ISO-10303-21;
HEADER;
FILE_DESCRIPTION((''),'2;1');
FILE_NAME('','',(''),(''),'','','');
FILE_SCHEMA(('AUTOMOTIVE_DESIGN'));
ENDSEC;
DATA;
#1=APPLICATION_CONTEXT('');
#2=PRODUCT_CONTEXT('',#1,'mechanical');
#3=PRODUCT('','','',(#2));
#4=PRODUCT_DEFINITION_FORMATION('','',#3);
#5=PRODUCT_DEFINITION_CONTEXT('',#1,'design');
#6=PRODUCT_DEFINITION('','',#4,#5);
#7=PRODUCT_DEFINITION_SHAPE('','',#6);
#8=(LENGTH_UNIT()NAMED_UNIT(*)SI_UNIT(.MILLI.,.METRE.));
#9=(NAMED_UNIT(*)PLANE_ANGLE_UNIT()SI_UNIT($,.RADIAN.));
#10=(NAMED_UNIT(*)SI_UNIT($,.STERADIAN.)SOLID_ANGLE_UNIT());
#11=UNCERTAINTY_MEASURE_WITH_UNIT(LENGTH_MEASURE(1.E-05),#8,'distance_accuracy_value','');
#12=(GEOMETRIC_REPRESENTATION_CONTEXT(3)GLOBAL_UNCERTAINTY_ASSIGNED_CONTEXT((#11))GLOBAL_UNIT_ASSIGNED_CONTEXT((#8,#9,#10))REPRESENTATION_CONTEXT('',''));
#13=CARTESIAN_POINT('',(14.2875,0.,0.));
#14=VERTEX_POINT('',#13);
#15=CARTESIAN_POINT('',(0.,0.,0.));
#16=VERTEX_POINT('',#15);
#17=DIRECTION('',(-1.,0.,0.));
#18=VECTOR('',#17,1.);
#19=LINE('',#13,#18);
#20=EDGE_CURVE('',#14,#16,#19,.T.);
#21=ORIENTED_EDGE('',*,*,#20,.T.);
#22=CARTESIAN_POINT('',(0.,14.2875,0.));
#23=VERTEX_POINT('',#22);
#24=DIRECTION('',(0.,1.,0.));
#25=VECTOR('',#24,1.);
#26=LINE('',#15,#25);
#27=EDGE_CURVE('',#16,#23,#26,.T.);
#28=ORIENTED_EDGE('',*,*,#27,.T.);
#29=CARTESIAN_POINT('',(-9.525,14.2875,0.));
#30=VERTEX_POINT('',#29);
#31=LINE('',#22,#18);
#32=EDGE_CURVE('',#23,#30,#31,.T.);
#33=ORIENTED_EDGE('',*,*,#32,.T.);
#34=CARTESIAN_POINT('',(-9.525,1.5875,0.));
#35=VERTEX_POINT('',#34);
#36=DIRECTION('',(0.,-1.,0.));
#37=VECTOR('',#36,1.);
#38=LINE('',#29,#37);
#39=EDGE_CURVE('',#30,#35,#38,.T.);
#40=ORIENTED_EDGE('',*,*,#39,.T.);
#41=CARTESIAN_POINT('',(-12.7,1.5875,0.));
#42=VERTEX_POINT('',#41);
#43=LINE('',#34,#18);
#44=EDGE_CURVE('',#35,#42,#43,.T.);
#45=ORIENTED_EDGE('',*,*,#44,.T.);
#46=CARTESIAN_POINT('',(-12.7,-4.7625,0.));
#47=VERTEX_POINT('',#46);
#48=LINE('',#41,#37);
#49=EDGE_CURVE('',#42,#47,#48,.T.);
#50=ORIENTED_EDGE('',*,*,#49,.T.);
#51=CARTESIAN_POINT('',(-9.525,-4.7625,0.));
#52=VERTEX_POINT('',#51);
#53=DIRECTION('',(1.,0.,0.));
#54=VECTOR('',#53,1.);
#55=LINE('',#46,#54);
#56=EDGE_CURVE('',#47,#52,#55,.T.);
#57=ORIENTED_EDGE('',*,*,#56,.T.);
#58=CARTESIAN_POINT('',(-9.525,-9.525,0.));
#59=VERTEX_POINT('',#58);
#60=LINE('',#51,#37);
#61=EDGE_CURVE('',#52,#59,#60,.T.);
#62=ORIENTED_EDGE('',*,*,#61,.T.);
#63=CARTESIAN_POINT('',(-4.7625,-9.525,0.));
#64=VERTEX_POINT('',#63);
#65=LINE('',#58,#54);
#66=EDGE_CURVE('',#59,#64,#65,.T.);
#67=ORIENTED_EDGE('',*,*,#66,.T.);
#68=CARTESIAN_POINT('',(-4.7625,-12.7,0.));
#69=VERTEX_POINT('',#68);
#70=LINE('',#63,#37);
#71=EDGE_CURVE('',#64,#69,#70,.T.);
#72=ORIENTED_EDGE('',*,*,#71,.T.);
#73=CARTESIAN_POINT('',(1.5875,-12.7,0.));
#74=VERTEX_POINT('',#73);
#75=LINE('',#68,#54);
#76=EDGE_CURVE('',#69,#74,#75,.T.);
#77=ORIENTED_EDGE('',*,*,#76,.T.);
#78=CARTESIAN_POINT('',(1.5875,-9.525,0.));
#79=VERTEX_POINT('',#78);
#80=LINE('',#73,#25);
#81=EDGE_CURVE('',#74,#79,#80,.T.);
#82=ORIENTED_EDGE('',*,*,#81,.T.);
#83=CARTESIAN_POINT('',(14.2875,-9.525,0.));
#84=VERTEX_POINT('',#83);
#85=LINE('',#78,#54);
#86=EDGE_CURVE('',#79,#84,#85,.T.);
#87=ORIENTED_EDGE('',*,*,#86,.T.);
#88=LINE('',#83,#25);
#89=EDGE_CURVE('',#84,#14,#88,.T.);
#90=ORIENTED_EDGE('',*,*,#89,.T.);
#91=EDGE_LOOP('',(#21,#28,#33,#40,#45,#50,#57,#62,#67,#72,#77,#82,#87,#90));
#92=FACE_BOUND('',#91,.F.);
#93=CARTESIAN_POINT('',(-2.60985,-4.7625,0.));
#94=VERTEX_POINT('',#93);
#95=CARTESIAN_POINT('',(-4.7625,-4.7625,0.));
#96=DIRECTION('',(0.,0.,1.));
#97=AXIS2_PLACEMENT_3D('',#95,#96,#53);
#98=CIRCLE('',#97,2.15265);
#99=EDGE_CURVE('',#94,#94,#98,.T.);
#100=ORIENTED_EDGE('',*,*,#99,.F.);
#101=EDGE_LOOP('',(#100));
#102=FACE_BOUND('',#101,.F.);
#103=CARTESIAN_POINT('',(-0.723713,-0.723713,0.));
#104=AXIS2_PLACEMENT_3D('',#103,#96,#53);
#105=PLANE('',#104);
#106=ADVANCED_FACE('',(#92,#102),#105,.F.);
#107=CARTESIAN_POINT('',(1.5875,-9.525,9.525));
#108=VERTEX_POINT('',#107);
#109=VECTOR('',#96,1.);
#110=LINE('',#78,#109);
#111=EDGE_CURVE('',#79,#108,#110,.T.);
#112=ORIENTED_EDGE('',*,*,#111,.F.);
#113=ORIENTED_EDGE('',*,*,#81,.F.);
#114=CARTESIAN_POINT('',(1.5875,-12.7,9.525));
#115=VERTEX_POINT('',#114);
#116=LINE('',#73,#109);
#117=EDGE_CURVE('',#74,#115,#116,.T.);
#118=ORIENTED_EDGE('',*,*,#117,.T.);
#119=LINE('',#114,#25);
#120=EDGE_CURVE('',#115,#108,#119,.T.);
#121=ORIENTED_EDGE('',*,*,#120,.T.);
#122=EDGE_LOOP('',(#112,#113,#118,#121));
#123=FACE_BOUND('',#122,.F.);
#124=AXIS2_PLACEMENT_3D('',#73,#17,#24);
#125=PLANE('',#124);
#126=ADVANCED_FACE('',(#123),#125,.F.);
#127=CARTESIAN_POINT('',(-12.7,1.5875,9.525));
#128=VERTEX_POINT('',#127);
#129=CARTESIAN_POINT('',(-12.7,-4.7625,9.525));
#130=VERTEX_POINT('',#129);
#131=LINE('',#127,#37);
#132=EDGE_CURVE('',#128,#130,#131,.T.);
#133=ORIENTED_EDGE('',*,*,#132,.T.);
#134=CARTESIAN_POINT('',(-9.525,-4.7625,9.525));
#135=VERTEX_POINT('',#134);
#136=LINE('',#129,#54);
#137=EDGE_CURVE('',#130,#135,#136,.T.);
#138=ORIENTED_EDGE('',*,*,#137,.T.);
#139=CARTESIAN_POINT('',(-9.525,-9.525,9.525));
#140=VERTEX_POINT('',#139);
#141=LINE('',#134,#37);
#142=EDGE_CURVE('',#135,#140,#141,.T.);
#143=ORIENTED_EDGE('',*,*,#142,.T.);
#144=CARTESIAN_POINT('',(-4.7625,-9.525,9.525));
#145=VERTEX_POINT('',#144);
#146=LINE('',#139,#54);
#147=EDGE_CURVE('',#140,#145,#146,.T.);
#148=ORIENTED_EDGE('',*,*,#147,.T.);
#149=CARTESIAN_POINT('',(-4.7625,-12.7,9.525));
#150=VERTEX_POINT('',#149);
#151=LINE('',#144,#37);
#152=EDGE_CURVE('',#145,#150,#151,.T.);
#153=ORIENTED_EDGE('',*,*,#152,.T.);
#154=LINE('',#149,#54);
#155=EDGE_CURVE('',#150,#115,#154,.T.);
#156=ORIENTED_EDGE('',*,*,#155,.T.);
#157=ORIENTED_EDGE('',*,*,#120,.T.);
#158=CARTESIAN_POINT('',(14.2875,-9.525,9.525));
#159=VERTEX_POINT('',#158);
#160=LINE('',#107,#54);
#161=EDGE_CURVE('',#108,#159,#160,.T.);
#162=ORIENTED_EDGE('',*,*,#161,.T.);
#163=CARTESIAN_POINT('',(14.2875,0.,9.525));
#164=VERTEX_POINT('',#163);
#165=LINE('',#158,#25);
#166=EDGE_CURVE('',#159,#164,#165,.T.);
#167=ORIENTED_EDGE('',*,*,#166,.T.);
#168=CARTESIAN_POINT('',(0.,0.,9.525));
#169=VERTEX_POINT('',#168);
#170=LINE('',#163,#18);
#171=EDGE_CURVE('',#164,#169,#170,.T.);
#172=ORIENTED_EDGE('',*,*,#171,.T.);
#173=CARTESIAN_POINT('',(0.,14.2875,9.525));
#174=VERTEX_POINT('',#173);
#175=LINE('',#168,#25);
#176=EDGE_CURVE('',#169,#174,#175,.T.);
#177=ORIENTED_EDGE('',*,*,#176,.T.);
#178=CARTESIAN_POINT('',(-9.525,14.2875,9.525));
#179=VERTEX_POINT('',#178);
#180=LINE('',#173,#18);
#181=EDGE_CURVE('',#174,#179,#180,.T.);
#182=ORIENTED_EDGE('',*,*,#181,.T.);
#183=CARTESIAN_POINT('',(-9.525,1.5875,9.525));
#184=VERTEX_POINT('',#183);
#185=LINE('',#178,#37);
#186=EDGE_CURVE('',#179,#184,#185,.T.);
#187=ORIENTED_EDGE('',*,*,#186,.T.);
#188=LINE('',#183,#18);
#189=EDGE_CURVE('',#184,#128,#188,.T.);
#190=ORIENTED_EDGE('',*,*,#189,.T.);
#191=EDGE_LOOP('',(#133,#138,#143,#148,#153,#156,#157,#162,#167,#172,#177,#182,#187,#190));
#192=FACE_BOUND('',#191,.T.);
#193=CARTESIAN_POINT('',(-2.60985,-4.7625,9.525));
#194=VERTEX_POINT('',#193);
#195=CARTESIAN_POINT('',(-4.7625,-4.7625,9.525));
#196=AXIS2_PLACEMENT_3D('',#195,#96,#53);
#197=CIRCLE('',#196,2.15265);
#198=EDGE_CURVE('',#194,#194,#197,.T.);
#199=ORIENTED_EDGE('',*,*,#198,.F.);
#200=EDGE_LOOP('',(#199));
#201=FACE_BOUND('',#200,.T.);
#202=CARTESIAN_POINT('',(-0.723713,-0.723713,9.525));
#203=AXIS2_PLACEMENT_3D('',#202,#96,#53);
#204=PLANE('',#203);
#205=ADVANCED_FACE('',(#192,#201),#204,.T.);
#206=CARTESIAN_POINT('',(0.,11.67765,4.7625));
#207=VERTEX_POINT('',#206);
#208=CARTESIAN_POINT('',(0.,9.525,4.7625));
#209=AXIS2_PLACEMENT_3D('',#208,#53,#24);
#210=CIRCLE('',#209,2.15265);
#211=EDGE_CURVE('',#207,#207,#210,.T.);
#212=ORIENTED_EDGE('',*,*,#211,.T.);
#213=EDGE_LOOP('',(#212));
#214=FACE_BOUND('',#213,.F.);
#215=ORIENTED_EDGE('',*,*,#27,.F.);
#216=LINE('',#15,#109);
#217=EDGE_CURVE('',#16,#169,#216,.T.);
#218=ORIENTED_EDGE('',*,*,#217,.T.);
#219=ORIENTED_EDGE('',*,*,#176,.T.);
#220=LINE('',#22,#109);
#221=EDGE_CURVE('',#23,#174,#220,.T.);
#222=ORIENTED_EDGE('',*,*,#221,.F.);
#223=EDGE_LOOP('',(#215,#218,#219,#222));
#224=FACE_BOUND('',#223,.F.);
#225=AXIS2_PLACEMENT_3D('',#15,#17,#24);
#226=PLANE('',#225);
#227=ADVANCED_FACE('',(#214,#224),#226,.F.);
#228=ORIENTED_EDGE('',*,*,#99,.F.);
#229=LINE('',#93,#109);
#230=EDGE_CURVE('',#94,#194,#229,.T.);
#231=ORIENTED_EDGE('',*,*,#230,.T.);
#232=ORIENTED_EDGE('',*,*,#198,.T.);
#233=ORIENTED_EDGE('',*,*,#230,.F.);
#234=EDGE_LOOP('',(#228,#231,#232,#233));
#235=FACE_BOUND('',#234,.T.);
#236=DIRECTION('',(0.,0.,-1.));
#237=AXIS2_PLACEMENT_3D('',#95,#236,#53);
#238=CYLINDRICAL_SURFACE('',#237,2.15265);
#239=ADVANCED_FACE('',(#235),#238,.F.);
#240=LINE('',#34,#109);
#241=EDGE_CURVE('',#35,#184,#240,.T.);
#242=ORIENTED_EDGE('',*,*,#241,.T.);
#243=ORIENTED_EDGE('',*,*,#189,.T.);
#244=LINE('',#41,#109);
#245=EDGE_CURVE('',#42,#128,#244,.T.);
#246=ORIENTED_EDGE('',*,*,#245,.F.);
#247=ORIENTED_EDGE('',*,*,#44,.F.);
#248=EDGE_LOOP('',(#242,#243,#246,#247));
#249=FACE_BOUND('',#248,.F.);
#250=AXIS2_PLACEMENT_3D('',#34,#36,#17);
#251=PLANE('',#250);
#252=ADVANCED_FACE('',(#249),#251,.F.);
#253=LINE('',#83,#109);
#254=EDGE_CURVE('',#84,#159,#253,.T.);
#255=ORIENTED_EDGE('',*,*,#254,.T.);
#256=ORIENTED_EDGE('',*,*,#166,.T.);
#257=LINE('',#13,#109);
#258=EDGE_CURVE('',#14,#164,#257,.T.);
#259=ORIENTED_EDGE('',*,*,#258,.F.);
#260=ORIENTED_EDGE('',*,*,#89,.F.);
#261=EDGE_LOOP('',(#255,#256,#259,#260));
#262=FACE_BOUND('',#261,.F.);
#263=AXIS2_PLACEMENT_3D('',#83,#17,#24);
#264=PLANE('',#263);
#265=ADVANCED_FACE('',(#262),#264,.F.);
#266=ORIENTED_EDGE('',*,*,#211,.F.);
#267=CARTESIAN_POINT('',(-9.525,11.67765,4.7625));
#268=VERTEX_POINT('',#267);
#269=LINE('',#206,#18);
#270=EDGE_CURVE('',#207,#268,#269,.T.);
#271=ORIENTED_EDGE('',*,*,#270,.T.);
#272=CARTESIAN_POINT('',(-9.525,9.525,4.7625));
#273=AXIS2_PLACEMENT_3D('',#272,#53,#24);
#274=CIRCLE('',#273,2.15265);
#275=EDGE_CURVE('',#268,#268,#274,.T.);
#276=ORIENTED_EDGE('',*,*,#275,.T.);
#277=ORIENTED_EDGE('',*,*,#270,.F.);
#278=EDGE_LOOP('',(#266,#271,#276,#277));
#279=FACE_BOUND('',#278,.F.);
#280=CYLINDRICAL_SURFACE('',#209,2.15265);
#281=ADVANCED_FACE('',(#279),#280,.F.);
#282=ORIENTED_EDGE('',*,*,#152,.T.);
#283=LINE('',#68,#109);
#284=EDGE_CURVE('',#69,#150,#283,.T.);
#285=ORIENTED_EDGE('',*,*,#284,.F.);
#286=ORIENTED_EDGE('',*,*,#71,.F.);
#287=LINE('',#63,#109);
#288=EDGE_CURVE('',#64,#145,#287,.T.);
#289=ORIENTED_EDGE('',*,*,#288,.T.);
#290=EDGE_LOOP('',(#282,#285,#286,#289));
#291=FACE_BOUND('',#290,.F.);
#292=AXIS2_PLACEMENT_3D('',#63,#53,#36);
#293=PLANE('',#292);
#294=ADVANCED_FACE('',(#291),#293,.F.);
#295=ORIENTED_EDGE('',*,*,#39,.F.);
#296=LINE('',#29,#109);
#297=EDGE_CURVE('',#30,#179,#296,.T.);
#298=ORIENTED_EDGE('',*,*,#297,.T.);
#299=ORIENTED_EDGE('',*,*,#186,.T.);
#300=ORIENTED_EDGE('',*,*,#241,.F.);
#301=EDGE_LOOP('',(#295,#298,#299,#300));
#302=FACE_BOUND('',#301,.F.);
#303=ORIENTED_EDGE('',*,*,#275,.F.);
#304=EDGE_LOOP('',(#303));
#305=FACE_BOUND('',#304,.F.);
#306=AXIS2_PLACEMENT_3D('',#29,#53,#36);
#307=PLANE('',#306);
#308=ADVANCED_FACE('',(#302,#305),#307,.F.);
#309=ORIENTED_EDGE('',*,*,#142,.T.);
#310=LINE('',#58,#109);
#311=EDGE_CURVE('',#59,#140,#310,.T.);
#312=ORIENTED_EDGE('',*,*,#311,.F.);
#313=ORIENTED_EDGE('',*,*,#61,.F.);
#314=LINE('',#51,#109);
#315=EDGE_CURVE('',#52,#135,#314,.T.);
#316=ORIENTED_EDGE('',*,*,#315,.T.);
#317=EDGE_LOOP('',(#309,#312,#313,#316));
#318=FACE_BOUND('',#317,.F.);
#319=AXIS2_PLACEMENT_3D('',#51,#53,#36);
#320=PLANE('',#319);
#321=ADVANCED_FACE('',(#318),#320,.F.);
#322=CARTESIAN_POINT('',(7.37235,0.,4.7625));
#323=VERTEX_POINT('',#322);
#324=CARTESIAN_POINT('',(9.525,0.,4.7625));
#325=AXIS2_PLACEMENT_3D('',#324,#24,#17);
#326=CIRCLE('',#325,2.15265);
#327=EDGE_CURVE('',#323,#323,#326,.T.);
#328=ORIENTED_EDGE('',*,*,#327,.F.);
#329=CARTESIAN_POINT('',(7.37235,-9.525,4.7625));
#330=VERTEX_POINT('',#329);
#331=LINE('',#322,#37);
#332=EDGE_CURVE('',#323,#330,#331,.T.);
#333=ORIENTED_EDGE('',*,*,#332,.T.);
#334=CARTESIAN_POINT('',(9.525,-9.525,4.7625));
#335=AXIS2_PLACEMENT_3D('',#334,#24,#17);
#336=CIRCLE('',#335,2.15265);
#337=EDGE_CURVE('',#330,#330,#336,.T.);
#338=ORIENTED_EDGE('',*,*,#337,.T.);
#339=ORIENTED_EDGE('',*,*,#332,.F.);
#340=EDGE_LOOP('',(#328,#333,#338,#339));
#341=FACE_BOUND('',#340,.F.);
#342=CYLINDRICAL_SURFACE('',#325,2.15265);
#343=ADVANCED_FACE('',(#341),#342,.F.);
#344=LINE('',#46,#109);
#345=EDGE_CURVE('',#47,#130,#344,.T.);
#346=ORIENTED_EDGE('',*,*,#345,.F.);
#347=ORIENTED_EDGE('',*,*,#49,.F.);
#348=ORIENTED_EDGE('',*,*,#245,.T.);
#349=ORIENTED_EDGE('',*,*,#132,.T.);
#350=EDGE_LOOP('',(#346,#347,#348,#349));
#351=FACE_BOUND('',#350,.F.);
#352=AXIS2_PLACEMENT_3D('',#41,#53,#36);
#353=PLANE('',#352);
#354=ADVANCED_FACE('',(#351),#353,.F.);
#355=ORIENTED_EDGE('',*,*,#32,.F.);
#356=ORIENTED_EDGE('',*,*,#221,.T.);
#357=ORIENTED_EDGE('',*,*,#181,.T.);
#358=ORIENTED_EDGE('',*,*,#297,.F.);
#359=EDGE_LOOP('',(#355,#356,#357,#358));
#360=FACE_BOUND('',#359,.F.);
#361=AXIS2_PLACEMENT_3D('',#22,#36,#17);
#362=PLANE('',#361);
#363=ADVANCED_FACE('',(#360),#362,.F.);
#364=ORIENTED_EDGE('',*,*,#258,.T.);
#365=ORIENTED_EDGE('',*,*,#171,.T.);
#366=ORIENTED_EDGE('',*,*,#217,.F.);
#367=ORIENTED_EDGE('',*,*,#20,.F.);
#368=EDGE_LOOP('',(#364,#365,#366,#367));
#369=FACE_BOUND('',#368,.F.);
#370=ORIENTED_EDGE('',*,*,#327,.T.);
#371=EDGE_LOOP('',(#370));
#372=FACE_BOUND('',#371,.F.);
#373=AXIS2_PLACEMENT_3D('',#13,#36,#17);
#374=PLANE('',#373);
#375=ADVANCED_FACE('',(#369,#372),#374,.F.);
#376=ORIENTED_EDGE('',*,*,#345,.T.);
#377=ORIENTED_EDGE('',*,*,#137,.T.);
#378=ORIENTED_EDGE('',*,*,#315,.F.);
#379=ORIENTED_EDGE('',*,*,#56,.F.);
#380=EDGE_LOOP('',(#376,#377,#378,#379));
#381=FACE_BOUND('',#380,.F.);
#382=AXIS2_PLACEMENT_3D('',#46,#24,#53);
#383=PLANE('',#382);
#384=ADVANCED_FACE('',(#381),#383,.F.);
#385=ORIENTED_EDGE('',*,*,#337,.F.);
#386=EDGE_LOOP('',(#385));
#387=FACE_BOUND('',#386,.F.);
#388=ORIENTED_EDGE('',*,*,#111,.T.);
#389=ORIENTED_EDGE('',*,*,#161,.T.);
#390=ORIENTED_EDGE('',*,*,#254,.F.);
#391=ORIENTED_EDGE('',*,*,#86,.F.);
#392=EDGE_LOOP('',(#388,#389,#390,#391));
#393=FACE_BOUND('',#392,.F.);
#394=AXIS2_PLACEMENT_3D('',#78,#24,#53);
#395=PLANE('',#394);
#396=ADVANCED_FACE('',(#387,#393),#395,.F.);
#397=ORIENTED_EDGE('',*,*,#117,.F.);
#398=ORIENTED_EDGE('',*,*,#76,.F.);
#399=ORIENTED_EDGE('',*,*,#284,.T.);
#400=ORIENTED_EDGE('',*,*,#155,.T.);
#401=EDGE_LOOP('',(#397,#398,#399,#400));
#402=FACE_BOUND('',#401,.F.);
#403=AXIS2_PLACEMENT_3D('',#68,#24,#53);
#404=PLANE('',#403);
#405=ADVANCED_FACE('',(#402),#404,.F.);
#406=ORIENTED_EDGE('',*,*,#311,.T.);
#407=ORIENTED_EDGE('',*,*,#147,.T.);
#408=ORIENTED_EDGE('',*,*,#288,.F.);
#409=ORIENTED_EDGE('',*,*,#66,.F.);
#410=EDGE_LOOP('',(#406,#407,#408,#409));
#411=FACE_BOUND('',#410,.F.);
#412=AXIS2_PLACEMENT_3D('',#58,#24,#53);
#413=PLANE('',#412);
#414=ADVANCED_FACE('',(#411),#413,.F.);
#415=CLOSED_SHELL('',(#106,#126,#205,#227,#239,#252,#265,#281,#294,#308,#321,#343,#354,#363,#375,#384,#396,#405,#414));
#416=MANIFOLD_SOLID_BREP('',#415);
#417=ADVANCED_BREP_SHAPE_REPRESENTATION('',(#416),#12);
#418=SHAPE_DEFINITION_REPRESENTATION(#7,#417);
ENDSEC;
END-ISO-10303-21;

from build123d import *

# Parameters (mm, degrees)
F0_R     = 2.15265
F1_DEPTH = 9.525
F2_R     = 2.15265
F3_DEPTH = 9.525
F4_R     = 2.15265
F5_DEPTH = 9.525


with BuildPart() as f1:
    # F0 (on Top) → F1 (new body)
    with BuildSketch(Plane.XY):
        Polygon((14.2875, 0), (0, 0), (0, 14.2875), (-9.525, 14.2875), (-9.525, 1.5875), (-12.7, 1.5875), (-12.7, -4.7625), (-9.525, -4.7625), (-9.525, -9.525), (-4.7625, -9.525), (-4.7625, -12.7), (1.5875, -12.7), (1.5875, -9.525), (14.2875, -9.525), align=None)
        with Locations((-4.7625, -4.7625)):
            Circle(F0_R, mode=Mode.SUBTRACT)
    extrude(amount=F1_DEPTH)

    # F2 (on face) → F3 (cut, through all)
    with BuildSketch(Plane(origin=(0, 0, 0), x_dir=(-1, 0, 0), z_dir=(0, 1, 0))):
        with Locations((-9.525, 4.7625)):
            Circle(F2_R)
    extrude(amount=-F3_DEPTH, mode=Mode.SUBTRACT)

    # F4 (on face) → F5 (cut, through all)
    with BuildSketch(Plane.YZ):
        with Locations((9.525, 4.7625)):
            Circle(F4_R)
    extrude(amount=-F5_DEPTH, mode=Mode.SUBTRACT)


solid = f1.part
